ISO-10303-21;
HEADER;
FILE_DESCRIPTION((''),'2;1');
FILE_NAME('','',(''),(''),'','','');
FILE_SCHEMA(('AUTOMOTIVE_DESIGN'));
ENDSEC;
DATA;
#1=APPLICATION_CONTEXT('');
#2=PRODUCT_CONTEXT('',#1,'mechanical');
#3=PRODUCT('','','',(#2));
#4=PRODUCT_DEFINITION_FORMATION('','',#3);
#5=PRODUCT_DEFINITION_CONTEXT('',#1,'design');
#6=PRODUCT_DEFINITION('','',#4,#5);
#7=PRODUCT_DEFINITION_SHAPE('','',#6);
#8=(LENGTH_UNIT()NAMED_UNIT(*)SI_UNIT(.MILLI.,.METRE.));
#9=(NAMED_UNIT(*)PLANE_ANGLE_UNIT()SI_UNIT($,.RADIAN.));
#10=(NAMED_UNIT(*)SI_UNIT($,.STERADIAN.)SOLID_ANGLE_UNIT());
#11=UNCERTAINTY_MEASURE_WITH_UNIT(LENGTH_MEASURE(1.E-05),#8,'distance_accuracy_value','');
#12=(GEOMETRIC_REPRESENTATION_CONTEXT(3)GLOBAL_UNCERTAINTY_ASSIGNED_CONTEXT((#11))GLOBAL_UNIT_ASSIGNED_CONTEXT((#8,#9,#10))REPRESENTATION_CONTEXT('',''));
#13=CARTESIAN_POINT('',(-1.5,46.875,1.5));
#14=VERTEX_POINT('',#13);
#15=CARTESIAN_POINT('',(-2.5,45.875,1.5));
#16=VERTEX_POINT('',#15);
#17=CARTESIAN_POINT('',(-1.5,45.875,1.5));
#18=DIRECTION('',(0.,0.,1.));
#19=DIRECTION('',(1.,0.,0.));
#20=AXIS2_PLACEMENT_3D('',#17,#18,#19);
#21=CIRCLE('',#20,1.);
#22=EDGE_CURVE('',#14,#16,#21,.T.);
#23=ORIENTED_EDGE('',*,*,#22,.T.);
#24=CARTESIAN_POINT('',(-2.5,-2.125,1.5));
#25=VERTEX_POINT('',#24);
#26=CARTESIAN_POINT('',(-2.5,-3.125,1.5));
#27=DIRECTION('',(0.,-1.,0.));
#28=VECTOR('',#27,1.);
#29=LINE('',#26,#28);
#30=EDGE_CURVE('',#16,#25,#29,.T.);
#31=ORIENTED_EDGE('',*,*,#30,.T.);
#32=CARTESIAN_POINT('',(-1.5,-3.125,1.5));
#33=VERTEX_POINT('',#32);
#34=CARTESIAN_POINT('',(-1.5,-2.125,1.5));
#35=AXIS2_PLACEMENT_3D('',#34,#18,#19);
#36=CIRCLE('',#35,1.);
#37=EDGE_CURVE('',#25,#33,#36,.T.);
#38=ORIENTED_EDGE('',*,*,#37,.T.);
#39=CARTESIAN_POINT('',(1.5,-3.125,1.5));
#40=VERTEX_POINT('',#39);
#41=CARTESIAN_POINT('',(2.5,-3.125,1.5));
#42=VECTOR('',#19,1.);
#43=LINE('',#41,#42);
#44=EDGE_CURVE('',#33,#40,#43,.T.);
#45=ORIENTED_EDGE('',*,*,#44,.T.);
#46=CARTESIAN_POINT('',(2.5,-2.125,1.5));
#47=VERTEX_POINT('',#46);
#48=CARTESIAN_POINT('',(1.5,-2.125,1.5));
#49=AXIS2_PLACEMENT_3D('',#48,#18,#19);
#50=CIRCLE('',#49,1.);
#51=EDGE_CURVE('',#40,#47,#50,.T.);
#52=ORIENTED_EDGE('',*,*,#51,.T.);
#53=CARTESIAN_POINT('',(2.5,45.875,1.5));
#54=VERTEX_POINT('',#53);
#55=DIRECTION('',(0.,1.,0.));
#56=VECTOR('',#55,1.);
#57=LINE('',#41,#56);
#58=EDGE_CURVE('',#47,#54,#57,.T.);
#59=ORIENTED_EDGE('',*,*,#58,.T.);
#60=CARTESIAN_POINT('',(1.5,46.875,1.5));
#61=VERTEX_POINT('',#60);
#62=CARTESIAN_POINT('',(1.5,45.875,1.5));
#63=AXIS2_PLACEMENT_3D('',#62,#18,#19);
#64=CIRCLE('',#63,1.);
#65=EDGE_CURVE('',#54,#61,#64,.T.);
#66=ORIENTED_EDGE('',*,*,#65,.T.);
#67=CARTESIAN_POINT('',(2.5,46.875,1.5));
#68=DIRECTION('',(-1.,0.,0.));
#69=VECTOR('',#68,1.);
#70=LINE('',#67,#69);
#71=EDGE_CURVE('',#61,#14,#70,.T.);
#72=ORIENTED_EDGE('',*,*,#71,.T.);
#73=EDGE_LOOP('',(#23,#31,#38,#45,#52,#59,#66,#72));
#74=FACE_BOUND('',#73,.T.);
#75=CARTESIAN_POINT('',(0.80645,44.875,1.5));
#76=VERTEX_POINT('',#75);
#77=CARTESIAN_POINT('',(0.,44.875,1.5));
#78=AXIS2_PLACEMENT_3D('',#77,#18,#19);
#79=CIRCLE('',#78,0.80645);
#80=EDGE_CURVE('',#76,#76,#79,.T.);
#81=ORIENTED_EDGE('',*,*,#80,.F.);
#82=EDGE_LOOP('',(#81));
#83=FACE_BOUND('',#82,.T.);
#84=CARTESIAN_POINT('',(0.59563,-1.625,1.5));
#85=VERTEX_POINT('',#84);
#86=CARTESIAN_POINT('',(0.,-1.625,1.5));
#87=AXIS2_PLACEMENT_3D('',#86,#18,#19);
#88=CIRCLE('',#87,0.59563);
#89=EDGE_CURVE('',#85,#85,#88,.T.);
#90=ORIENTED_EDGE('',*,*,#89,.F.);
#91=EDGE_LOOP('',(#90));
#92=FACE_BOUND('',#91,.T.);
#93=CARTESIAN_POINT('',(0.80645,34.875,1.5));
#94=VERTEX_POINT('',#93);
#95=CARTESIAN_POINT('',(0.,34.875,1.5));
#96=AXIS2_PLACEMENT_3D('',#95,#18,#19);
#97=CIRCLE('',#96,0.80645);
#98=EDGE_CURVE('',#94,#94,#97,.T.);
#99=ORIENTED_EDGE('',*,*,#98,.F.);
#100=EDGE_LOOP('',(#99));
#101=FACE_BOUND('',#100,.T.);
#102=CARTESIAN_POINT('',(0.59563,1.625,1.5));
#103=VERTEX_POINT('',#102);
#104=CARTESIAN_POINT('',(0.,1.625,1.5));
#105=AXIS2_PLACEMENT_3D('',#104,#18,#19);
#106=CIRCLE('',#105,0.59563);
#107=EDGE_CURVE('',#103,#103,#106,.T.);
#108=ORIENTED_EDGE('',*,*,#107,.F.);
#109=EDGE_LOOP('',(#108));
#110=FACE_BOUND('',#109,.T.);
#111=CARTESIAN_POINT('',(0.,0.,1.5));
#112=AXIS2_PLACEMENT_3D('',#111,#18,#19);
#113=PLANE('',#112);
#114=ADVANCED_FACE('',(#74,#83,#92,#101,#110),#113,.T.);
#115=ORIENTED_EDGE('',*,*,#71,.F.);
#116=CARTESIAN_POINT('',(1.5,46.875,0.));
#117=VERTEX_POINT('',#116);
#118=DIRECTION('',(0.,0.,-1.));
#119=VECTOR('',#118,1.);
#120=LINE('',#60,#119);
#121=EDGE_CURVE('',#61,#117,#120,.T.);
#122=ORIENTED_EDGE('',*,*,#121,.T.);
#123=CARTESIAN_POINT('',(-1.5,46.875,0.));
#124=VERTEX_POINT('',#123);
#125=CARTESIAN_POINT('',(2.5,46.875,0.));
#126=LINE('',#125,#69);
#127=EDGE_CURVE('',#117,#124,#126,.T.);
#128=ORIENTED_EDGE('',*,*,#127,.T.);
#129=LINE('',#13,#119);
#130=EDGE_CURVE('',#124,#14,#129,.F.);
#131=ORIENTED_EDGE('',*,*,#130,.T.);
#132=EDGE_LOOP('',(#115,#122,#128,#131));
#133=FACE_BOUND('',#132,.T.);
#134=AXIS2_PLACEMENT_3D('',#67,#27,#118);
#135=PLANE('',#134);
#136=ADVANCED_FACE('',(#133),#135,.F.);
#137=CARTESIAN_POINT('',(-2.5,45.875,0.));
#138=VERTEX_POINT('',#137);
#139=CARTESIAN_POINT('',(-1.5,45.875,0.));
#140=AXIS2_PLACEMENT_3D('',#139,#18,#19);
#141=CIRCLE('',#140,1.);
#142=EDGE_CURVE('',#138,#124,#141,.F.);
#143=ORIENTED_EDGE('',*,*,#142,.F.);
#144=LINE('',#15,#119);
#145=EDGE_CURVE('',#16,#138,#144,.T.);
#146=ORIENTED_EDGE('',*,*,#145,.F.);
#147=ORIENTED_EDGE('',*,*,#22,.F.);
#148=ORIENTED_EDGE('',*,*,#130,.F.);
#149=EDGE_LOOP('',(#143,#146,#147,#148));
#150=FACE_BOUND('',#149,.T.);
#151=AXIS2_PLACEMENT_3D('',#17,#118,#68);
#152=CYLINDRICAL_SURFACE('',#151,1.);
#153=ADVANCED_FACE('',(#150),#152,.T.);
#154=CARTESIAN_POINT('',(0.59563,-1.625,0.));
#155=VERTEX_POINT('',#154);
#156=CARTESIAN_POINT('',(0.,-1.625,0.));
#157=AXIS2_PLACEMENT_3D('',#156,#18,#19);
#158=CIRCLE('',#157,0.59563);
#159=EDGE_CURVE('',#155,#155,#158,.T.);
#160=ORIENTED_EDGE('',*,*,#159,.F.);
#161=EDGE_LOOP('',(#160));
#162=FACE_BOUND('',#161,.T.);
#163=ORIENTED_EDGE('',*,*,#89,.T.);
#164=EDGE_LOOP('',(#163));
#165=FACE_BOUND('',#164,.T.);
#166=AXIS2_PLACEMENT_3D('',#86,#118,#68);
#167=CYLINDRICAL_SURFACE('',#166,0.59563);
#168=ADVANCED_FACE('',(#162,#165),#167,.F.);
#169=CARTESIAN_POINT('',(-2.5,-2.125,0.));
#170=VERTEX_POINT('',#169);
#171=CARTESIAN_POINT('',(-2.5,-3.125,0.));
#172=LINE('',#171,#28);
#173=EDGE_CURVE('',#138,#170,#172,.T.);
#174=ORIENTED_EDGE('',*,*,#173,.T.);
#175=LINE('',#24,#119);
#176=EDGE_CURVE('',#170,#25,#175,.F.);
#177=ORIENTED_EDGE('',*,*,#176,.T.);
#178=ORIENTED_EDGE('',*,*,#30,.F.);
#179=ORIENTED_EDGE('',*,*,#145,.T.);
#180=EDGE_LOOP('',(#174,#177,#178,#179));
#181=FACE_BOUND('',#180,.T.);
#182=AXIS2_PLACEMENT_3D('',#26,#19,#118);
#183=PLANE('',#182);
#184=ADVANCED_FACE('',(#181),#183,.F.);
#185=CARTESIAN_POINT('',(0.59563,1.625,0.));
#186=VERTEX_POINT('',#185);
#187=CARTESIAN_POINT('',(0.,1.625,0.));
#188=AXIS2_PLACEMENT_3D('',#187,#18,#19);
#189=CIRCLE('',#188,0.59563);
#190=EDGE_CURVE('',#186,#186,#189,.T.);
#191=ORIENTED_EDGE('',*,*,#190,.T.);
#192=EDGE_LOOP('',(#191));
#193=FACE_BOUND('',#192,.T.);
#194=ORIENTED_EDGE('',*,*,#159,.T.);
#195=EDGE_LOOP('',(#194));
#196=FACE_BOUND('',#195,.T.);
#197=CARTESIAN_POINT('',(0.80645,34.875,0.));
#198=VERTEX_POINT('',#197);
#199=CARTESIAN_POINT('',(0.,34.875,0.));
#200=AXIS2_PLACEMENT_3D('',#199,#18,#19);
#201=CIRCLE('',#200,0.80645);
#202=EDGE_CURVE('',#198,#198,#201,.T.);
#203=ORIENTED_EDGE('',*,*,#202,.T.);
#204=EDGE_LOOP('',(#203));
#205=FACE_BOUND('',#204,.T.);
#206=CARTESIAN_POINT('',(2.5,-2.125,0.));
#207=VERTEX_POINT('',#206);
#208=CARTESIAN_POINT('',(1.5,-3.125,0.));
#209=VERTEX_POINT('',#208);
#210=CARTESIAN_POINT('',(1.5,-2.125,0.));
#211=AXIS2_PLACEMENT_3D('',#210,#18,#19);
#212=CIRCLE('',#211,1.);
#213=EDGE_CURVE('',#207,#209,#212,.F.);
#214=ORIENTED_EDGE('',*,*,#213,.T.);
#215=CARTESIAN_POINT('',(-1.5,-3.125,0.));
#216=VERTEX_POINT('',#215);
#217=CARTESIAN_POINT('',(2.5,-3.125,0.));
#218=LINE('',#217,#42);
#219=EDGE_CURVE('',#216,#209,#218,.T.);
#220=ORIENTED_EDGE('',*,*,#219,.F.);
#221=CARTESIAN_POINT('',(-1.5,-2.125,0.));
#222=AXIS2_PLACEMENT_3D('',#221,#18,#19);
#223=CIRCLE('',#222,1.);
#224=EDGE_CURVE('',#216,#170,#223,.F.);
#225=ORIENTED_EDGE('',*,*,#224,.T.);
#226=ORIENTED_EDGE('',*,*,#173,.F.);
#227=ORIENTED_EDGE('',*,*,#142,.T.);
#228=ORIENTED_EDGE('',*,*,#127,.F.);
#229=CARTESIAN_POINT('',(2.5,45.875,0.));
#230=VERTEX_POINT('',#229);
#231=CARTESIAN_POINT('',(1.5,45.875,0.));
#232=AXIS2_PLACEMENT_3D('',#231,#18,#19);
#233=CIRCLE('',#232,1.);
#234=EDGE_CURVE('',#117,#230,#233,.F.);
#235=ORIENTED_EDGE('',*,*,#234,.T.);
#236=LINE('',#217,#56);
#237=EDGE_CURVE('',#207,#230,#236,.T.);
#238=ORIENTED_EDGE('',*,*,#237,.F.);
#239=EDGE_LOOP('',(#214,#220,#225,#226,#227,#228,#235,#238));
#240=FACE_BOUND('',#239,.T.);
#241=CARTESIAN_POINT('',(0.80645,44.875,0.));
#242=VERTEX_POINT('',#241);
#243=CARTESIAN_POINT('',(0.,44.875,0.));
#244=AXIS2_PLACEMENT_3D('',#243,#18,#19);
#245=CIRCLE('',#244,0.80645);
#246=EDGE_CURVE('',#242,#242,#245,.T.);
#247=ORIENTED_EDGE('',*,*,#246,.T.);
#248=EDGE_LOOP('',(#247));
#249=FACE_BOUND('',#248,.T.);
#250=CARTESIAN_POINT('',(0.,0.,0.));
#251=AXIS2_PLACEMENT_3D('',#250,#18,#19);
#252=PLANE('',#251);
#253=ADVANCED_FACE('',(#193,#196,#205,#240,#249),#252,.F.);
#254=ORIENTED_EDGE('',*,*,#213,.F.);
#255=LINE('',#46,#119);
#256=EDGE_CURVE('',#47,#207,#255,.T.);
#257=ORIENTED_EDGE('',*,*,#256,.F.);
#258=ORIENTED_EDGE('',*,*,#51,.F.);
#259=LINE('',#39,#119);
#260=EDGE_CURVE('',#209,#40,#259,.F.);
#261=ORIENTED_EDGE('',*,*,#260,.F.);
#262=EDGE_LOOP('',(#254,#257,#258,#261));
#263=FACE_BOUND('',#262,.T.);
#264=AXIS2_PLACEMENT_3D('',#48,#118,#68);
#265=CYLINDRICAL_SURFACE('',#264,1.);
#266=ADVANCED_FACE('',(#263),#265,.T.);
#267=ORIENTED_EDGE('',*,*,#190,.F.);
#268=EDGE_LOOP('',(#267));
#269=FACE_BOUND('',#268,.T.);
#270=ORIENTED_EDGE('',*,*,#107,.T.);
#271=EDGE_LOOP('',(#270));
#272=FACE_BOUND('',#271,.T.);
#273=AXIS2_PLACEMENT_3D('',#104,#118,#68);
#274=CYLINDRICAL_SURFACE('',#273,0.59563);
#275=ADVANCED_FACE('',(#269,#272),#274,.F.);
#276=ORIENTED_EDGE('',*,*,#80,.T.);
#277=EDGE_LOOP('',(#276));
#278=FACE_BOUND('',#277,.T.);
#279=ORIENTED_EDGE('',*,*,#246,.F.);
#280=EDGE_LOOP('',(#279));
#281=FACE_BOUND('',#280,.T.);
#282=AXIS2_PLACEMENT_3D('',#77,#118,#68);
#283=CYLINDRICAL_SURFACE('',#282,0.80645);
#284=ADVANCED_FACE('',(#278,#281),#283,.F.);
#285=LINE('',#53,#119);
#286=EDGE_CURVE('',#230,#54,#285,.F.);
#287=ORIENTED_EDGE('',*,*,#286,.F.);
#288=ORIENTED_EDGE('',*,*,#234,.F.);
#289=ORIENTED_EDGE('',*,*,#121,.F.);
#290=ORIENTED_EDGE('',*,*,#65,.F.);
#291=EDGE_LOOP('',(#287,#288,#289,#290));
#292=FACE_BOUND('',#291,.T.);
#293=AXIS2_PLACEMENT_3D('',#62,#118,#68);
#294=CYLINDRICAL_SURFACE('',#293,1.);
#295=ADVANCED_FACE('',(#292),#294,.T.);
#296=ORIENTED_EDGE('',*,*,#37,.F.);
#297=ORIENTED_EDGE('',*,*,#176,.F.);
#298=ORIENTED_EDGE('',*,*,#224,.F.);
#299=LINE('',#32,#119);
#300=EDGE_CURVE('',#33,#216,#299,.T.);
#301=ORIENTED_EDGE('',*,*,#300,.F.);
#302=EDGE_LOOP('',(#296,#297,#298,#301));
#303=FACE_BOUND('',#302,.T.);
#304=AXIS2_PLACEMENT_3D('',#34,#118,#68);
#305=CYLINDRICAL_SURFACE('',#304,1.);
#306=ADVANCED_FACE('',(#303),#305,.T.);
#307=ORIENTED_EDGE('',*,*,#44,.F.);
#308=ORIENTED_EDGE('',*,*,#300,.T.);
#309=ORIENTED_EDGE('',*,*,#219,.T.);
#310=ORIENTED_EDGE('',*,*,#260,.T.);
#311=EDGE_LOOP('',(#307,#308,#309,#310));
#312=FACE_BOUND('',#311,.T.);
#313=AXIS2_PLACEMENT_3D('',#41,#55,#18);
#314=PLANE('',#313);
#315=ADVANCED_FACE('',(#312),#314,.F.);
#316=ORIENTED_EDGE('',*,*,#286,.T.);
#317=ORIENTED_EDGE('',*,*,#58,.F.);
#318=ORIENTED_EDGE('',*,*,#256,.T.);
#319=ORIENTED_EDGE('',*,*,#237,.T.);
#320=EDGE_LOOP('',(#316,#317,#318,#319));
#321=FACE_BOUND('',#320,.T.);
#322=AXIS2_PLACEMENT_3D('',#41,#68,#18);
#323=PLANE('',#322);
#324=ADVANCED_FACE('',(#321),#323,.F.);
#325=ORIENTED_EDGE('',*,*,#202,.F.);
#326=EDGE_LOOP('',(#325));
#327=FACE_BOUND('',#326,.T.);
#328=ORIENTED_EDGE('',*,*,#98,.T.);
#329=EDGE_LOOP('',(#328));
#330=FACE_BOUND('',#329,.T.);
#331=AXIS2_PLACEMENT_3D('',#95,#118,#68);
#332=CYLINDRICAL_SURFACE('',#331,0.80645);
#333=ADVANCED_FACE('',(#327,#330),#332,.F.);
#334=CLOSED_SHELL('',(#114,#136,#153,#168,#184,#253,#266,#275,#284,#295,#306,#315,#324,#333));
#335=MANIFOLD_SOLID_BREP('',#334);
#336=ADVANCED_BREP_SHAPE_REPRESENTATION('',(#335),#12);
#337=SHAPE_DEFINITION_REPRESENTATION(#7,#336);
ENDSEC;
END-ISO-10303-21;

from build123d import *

# Parameters (mm, degrees)
SKETCH1_W           = 5
SKETCH1_H           = 50
SKETCH1_R           = 0.59563
SKETCH1_R_2         = 0.80645
BOSS_EXTRUDE1_DEPTH = 1.5
FILLET1_R           = 1


with BuildPart() as part:
    # Sketch1 → Boss-Extrude1 (new body)
    with BuildSketch(Plane.XY):
        with Locations((0, 21.875)):
            Rectangle(SKETCH1_W, SKETCH1_H)
        with Locations((0, 1.625)):
            Circle(SKETCH1_R, mode=Mode.SUBTRACT)
        with Locations((0, -1.625)):
            Circle(SKETCH1_R, mode=Mode.SUBTRACT)
        with Locations((0, 44.875)):
            Circle(SKETCH1_R_2, mode=Mode.SUBTRACT)
        with Locations((0, 34.875)):
            Circle(SKETCH1_R_2, mode=Mode.SUBTRACT)
    extrude(amount=BOSS_EXTRUDE1_DEPTH)

    # Fillet1
    fillet1_edges = [part.edges().sort_by_distance(p)[0] for p in [
        (2.5, -3.125, 0.75),
        (-2.5, -3.125, 0.75),
        (-2.5, 46.875, 0.75),
        (2.5, 46.875, 0.75),
    ]]
    fillet(fillet1_edges, radius=FILLET1_R)


solid = part.part
